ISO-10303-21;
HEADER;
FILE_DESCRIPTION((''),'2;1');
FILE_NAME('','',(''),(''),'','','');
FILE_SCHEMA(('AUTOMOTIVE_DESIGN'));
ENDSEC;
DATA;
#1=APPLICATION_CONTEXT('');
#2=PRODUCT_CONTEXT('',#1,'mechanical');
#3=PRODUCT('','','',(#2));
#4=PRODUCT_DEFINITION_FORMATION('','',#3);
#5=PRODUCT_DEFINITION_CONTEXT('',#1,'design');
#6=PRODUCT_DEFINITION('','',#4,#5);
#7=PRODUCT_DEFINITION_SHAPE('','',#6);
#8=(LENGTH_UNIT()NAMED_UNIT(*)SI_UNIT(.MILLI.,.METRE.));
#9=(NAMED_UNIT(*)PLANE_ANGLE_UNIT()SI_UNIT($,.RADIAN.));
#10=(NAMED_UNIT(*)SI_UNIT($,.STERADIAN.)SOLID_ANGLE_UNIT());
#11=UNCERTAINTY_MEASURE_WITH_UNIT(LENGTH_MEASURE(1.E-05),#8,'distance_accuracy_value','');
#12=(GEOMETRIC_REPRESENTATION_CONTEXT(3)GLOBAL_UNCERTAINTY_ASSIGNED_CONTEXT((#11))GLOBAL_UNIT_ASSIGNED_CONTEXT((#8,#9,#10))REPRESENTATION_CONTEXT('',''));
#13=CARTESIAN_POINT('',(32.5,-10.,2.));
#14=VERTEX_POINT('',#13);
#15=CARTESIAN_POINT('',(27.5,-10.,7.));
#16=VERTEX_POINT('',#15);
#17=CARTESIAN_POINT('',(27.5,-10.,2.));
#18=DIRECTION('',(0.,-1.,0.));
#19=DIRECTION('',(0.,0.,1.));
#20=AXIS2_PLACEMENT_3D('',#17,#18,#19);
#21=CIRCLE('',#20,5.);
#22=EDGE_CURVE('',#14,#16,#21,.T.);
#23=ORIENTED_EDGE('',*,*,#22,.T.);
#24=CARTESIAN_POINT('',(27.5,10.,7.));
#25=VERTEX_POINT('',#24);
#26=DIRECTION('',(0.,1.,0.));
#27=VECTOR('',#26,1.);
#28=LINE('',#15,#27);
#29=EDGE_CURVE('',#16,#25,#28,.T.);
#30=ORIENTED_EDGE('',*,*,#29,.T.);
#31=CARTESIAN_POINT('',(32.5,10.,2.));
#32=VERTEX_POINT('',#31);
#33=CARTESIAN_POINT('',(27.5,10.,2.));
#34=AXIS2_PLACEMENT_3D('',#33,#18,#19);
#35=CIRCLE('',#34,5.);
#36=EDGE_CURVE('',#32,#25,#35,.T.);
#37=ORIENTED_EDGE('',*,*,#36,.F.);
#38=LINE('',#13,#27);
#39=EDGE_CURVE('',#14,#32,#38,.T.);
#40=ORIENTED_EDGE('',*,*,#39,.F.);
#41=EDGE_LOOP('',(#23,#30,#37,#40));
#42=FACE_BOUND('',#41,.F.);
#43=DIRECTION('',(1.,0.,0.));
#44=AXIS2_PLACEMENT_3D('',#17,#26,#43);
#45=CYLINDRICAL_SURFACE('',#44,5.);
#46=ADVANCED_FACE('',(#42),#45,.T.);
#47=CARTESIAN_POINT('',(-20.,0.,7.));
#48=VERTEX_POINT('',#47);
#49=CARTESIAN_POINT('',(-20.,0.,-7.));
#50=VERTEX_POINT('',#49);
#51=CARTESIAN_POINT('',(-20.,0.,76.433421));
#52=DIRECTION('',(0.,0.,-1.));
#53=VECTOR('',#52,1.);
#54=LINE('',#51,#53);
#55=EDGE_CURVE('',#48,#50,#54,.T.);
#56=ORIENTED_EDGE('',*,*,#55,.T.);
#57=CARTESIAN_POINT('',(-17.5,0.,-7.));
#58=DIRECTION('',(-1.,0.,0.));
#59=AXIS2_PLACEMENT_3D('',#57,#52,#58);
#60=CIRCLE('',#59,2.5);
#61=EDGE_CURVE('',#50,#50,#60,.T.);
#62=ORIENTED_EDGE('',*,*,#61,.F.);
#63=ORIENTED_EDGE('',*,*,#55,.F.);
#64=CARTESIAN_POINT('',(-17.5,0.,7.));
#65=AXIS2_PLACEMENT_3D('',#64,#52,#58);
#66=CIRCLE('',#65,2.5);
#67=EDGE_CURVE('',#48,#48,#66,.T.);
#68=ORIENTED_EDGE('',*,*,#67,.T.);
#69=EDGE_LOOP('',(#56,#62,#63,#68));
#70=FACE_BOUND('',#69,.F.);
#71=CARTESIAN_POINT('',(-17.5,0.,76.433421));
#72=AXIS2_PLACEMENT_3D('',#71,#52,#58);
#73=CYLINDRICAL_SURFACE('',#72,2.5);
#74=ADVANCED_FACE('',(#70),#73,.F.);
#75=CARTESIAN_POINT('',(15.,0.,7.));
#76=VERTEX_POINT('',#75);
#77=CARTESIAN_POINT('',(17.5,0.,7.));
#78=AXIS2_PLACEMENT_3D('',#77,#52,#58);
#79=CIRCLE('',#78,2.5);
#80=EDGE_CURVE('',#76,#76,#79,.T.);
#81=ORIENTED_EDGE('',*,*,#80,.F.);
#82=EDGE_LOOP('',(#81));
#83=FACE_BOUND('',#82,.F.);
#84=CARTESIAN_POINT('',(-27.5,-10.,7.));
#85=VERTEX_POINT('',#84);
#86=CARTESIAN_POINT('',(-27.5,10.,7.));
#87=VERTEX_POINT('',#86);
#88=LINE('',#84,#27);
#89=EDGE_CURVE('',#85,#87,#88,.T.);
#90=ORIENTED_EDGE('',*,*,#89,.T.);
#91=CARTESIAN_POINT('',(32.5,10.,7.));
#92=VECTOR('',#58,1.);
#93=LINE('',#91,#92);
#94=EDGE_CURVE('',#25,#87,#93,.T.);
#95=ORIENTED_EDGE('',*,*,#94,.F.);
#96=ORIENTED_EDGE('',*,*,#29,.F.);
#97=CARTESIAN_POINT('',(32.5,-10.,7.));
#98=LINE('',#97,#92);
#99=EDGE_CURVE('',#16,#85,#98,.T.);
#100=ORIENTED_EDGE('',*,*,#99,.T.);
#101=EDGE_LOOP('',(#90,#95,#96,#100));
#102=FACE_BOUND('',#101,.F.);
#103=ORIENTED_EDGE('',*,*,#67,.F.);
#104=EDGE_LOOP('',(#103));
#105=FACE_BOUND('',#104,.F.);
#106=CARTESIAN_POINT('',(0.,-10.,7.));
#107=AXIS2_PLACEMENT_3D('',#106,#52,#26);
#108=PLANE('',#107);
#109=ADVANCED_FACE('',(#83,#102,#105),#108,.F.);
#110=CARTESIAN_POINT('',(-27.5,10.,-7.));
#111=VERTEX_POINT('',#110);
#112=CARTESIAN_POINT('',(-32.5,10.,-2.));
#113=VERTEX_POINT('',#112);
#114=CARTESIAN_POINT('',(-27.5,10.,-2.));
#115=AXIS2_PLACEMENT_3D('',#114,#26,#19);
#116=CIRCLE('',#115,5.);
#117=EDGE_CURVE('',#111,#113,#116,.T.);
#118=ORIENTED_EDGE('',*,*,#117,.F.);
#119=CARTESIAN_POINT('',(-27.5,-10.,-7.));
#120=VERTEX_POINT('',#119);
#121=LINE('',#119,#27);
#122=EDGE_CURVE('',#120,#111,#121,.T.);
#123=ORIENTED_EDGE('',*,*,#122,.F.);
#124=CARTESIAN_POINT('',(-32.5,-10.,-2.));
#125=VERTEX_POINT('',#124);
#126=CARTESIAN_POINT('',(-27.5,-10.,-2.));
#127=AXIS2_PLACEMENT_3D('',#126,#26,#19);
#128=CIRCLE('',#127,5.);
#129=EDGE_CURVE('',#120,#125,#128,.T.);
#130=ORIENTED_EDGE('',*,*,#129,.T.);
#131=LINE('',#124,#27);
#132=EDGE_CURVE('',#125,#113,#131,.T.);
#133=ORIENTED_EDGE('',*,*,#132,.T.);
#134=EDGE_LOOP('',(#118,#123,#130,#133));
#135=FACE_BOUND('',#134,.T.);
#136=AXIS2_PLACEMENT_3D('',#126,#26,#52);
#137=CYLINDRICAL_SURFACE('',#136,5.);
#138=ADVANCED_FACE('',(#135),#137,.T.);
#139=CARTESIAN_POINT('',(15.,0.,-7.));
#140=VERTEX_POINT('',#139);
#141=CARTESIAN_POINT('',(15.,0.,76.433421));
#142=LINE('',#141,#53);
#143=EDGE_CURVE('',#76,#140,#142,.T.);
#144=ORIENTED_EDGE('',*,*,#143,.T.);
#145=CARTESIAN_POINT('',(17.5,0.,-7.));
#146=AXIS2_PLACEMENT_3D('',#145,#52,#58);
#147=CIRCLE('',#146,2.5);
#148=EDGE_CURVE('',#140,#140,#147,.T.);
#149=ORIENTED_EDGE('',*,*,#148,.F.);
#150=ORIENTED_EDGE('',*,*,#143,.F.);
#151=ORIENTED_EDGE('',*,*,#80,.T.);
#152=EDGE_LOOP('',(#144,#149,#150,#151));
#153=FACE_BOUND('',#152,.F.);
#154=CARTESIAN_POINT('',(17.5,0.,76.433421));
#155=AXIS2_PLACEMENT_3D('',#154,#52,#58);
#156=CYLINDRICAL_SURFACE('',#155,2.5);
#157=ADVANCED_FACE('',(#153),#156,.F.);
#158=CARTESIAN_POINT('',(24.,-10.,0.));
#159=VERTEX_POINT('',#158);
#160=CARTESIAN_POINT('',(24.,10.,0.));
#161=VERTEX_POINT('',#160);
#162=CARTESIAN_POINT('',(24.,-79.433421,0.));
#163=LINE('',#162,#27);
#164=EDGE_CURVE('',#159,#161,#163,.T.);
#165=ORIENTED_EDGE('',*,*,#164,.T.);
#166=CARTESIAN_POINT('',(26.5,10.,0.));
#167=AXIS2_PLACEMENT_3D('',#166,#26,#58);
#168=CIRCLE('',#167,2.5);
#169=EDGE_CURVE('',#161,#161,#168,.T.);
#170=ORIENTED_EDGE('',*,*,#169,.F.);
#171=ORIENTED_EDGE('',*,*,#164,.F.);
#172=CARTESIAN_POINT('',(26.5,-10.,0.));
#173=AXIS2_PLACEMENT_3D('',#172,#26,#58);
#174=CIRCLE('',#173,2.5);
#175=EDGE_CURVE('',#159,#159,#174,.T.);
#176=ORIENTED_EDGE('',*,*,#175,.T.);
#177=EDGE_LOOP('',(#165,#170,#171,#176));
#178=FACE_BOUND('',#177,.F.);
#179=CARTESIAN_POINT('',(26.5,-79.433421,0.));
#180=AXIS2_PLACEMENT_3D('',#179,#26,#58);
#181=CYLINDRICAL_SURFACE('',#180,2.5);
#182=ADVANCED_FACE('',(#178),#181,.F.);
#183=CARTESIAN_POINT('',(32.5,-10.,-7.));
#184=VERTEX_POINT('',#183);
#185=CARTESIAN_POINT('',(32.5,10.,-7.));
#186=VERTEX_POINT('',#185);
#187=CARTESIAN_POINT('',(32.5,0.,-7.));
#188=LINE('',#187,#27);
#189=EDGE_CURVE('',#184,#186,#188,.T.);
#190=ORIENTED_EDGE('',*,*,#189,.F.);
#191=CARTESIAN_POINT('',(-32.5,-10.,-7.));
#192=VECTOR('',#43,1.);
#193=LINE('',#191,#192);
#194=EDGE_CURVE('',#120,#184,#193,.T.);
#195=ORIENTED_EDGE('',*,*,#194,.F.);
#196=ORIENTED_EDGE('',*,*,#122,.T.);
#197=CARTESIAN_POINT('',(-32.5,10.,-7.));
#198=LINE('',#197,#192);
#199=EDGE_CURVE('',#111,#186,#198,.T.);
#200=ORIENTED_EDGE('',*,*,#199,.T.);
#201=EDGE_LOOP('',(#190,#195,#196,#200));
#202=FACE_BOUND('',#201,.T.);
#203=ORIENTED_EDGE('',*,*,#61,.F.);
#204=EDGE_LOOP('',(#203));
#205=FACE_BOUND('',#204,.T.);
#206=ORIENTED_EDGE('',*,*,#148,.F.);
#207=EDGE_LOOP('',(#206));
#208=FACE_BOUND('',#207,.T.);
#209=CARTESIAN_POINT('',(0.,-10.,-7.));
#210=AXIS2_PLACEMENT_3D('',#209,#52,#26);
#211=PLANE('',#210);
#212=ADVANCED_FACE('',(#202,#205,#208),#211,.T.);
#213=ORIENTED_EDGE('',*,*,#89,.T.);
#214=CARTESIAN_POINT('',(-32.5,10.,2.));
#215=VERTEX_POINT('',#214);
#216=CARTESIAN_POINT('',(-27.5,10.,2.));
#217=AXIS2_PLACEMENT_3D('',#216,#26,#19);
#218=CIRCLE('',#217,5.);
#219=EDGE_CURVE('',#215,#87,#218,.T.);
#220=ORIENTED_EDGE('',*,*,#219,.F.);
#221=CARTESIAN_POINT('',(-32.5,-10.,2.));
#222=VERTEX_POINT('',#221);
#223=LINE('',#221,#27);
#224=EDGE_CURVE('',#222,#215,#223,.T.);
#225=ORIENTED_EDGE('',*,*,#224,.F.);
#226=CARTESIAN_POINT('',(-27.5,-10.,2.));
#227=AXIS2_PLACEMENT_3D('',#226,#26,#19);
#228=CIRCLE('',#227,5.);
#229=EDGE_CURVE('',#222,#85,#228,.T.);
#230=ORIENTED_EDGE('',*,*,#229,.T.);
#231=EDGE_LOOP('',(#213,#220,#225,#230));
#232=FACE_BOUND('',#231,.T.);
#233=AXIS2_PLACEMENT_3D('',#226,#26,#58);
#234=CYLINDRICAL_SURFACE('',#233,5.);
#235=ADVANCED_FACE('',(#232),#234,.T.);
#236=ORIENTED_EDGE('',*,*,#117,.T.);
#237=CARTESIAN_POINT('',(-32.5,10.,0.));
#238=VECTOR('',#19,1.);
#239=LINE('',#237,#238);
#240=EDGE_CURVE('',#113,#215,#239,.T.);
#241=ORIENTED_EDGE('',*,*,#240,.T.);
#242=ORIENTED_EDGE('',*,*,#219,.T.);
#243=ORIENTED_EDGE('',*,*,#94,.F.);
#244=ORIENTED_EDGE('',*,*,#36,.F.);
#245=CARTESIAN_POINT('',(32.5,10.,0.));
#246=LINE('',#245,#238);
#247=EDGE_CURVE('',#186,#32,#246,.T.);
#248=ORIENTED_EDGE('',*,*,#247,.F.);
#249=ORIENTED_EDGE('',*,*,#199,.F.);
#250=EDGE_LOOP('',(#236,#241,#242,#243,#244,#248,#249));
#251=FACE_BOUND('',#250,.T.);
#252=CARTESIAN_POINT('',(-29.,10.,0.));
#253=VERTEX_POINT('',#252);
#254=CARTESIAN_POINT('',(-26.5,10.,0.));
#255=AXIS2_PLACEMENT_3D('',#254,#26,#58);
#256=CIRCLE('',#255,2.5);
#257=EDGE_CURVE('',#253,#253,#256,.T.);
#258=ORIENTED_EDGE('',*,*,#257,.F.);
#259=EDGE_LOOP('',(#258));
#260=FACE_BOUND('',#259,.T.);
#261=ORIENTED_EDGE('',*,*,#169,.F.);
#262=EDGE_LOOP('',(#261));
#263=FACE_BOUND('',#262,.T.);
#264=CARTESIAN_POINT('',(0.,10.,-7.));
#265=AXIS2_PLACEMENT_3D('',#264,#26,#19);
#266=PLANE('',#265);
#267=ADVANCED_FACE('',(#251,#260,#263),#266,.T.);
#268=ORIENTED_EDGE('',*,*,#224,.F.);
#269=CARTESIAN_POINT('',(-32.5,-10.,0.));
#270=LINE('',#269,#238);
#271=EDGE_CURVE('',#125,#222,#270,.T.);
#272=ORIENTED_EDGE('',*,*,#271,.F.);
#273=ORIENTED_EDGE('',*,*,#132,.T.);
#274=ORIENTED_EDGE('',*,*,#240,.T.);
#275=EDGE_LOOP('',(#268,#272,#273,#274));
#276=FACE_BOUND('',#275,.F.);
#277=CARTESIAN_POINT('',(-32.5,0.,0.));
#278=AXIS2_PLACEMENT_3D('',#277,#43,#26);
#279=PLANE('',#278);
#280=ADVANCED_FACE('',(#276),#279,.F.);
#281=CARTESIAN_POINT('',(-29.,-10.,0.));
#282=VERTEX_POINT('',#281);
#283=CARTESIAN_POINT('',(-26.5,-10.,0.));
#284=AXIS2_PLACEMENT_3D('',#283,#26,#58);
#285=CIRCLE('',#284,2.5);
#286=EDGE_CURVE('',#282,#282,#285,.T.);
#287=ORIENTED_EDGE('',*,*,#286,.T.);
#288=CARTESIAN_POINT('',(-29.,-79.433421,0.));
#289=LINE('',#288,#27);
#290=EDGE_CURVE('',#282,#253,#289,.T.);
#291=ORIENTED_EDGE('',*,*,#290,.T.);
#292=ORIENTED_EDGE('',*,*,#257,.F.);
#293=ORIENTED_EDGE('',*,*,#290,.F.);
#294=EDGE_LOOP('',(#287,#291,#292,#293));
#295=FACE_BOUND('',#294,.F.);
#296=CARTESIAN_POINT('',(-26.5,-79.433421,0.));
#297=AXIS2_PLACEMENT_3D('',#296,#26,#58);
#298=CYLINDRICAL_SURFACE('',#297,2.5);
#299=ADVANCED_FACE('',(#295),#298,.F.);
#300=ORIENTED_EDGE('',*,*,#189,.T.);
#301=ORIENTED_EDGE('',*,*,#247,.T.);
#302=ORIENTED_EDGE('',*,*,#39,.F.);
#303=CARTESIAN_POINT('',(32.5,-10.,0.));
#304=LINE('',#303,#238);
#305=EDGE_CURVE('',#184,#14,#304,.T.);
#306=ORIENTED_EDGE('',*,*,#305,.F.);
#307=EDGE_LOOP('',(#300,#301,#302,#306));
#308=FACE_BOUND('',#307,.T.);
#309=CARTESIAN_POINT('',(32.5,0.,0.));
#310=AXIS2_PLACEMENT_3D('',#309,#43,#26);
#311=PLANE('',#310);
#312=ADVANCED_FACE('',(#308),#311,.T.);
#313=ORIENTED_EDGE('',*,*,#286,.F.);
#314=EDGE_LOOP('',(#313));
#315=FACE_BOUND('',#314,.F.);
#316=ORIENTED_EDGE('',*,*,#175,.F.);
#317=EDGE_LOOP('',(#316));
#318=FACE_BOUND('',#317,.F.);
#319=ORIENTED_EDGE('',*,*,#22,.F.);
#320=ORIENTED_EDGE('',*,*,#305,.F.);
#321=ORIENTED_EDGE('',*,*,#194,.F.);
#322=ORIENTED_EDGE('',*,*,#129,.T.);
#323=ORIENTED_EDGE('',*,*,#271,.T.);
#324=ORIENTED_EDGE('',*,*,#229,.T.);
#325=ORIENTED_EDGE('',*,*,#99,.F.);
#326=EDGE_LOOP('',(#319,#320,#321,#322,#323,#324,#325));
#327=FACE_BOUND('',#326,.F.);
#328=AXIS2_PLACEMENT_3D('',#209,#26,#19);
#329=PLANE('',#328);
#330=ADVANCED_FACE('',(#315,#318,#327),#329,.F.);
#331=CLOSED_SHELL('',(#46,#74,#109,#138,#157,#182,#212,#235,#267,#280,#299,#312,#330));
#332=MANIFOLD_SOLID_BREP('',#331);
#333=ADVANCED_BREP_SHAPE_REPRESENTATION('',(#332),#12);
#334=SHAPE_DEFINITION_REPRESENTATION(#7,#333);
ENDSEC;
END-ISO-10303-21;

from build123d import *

# Parameters (mm, degrees)
F0_W     = 20
F0_H     = 14
F1_DEPTH = 32.5
F3_D     = 5
F5_D     = 5
F6_R     = 5


with BuildPart() as f1:
    # F0 (on Right) → F1 (new body, symmetric)
    with BuildSketch(Plane.YZ):
        Rectangle(F0_W, F0_H)
    extrude(amount=F1_DEPTH, both=True)

    # F3 (through all)
    with Locations(Plane.XZ.offset(10)):
        with Locations((-26.5, 0), (26.5, 0)):
            Hole(F3_D / 2)

    # F5 (through all)
    with Locations(Plane.XY.offset(7)):
        with Locations((-17.5, 0), (17.5, 0)):
            Hole(F5_D / 2)

    # F6
    f6_edges = [f1.edges().sort_by_distance(p)[0] for p in [
        (32.5, 0, 7),
        (-32.5, 0, -7),
        (-32.5, 0, 7),
    ]]
    fillet(f6_edges, radius=F6_R)


solid = f1.part
